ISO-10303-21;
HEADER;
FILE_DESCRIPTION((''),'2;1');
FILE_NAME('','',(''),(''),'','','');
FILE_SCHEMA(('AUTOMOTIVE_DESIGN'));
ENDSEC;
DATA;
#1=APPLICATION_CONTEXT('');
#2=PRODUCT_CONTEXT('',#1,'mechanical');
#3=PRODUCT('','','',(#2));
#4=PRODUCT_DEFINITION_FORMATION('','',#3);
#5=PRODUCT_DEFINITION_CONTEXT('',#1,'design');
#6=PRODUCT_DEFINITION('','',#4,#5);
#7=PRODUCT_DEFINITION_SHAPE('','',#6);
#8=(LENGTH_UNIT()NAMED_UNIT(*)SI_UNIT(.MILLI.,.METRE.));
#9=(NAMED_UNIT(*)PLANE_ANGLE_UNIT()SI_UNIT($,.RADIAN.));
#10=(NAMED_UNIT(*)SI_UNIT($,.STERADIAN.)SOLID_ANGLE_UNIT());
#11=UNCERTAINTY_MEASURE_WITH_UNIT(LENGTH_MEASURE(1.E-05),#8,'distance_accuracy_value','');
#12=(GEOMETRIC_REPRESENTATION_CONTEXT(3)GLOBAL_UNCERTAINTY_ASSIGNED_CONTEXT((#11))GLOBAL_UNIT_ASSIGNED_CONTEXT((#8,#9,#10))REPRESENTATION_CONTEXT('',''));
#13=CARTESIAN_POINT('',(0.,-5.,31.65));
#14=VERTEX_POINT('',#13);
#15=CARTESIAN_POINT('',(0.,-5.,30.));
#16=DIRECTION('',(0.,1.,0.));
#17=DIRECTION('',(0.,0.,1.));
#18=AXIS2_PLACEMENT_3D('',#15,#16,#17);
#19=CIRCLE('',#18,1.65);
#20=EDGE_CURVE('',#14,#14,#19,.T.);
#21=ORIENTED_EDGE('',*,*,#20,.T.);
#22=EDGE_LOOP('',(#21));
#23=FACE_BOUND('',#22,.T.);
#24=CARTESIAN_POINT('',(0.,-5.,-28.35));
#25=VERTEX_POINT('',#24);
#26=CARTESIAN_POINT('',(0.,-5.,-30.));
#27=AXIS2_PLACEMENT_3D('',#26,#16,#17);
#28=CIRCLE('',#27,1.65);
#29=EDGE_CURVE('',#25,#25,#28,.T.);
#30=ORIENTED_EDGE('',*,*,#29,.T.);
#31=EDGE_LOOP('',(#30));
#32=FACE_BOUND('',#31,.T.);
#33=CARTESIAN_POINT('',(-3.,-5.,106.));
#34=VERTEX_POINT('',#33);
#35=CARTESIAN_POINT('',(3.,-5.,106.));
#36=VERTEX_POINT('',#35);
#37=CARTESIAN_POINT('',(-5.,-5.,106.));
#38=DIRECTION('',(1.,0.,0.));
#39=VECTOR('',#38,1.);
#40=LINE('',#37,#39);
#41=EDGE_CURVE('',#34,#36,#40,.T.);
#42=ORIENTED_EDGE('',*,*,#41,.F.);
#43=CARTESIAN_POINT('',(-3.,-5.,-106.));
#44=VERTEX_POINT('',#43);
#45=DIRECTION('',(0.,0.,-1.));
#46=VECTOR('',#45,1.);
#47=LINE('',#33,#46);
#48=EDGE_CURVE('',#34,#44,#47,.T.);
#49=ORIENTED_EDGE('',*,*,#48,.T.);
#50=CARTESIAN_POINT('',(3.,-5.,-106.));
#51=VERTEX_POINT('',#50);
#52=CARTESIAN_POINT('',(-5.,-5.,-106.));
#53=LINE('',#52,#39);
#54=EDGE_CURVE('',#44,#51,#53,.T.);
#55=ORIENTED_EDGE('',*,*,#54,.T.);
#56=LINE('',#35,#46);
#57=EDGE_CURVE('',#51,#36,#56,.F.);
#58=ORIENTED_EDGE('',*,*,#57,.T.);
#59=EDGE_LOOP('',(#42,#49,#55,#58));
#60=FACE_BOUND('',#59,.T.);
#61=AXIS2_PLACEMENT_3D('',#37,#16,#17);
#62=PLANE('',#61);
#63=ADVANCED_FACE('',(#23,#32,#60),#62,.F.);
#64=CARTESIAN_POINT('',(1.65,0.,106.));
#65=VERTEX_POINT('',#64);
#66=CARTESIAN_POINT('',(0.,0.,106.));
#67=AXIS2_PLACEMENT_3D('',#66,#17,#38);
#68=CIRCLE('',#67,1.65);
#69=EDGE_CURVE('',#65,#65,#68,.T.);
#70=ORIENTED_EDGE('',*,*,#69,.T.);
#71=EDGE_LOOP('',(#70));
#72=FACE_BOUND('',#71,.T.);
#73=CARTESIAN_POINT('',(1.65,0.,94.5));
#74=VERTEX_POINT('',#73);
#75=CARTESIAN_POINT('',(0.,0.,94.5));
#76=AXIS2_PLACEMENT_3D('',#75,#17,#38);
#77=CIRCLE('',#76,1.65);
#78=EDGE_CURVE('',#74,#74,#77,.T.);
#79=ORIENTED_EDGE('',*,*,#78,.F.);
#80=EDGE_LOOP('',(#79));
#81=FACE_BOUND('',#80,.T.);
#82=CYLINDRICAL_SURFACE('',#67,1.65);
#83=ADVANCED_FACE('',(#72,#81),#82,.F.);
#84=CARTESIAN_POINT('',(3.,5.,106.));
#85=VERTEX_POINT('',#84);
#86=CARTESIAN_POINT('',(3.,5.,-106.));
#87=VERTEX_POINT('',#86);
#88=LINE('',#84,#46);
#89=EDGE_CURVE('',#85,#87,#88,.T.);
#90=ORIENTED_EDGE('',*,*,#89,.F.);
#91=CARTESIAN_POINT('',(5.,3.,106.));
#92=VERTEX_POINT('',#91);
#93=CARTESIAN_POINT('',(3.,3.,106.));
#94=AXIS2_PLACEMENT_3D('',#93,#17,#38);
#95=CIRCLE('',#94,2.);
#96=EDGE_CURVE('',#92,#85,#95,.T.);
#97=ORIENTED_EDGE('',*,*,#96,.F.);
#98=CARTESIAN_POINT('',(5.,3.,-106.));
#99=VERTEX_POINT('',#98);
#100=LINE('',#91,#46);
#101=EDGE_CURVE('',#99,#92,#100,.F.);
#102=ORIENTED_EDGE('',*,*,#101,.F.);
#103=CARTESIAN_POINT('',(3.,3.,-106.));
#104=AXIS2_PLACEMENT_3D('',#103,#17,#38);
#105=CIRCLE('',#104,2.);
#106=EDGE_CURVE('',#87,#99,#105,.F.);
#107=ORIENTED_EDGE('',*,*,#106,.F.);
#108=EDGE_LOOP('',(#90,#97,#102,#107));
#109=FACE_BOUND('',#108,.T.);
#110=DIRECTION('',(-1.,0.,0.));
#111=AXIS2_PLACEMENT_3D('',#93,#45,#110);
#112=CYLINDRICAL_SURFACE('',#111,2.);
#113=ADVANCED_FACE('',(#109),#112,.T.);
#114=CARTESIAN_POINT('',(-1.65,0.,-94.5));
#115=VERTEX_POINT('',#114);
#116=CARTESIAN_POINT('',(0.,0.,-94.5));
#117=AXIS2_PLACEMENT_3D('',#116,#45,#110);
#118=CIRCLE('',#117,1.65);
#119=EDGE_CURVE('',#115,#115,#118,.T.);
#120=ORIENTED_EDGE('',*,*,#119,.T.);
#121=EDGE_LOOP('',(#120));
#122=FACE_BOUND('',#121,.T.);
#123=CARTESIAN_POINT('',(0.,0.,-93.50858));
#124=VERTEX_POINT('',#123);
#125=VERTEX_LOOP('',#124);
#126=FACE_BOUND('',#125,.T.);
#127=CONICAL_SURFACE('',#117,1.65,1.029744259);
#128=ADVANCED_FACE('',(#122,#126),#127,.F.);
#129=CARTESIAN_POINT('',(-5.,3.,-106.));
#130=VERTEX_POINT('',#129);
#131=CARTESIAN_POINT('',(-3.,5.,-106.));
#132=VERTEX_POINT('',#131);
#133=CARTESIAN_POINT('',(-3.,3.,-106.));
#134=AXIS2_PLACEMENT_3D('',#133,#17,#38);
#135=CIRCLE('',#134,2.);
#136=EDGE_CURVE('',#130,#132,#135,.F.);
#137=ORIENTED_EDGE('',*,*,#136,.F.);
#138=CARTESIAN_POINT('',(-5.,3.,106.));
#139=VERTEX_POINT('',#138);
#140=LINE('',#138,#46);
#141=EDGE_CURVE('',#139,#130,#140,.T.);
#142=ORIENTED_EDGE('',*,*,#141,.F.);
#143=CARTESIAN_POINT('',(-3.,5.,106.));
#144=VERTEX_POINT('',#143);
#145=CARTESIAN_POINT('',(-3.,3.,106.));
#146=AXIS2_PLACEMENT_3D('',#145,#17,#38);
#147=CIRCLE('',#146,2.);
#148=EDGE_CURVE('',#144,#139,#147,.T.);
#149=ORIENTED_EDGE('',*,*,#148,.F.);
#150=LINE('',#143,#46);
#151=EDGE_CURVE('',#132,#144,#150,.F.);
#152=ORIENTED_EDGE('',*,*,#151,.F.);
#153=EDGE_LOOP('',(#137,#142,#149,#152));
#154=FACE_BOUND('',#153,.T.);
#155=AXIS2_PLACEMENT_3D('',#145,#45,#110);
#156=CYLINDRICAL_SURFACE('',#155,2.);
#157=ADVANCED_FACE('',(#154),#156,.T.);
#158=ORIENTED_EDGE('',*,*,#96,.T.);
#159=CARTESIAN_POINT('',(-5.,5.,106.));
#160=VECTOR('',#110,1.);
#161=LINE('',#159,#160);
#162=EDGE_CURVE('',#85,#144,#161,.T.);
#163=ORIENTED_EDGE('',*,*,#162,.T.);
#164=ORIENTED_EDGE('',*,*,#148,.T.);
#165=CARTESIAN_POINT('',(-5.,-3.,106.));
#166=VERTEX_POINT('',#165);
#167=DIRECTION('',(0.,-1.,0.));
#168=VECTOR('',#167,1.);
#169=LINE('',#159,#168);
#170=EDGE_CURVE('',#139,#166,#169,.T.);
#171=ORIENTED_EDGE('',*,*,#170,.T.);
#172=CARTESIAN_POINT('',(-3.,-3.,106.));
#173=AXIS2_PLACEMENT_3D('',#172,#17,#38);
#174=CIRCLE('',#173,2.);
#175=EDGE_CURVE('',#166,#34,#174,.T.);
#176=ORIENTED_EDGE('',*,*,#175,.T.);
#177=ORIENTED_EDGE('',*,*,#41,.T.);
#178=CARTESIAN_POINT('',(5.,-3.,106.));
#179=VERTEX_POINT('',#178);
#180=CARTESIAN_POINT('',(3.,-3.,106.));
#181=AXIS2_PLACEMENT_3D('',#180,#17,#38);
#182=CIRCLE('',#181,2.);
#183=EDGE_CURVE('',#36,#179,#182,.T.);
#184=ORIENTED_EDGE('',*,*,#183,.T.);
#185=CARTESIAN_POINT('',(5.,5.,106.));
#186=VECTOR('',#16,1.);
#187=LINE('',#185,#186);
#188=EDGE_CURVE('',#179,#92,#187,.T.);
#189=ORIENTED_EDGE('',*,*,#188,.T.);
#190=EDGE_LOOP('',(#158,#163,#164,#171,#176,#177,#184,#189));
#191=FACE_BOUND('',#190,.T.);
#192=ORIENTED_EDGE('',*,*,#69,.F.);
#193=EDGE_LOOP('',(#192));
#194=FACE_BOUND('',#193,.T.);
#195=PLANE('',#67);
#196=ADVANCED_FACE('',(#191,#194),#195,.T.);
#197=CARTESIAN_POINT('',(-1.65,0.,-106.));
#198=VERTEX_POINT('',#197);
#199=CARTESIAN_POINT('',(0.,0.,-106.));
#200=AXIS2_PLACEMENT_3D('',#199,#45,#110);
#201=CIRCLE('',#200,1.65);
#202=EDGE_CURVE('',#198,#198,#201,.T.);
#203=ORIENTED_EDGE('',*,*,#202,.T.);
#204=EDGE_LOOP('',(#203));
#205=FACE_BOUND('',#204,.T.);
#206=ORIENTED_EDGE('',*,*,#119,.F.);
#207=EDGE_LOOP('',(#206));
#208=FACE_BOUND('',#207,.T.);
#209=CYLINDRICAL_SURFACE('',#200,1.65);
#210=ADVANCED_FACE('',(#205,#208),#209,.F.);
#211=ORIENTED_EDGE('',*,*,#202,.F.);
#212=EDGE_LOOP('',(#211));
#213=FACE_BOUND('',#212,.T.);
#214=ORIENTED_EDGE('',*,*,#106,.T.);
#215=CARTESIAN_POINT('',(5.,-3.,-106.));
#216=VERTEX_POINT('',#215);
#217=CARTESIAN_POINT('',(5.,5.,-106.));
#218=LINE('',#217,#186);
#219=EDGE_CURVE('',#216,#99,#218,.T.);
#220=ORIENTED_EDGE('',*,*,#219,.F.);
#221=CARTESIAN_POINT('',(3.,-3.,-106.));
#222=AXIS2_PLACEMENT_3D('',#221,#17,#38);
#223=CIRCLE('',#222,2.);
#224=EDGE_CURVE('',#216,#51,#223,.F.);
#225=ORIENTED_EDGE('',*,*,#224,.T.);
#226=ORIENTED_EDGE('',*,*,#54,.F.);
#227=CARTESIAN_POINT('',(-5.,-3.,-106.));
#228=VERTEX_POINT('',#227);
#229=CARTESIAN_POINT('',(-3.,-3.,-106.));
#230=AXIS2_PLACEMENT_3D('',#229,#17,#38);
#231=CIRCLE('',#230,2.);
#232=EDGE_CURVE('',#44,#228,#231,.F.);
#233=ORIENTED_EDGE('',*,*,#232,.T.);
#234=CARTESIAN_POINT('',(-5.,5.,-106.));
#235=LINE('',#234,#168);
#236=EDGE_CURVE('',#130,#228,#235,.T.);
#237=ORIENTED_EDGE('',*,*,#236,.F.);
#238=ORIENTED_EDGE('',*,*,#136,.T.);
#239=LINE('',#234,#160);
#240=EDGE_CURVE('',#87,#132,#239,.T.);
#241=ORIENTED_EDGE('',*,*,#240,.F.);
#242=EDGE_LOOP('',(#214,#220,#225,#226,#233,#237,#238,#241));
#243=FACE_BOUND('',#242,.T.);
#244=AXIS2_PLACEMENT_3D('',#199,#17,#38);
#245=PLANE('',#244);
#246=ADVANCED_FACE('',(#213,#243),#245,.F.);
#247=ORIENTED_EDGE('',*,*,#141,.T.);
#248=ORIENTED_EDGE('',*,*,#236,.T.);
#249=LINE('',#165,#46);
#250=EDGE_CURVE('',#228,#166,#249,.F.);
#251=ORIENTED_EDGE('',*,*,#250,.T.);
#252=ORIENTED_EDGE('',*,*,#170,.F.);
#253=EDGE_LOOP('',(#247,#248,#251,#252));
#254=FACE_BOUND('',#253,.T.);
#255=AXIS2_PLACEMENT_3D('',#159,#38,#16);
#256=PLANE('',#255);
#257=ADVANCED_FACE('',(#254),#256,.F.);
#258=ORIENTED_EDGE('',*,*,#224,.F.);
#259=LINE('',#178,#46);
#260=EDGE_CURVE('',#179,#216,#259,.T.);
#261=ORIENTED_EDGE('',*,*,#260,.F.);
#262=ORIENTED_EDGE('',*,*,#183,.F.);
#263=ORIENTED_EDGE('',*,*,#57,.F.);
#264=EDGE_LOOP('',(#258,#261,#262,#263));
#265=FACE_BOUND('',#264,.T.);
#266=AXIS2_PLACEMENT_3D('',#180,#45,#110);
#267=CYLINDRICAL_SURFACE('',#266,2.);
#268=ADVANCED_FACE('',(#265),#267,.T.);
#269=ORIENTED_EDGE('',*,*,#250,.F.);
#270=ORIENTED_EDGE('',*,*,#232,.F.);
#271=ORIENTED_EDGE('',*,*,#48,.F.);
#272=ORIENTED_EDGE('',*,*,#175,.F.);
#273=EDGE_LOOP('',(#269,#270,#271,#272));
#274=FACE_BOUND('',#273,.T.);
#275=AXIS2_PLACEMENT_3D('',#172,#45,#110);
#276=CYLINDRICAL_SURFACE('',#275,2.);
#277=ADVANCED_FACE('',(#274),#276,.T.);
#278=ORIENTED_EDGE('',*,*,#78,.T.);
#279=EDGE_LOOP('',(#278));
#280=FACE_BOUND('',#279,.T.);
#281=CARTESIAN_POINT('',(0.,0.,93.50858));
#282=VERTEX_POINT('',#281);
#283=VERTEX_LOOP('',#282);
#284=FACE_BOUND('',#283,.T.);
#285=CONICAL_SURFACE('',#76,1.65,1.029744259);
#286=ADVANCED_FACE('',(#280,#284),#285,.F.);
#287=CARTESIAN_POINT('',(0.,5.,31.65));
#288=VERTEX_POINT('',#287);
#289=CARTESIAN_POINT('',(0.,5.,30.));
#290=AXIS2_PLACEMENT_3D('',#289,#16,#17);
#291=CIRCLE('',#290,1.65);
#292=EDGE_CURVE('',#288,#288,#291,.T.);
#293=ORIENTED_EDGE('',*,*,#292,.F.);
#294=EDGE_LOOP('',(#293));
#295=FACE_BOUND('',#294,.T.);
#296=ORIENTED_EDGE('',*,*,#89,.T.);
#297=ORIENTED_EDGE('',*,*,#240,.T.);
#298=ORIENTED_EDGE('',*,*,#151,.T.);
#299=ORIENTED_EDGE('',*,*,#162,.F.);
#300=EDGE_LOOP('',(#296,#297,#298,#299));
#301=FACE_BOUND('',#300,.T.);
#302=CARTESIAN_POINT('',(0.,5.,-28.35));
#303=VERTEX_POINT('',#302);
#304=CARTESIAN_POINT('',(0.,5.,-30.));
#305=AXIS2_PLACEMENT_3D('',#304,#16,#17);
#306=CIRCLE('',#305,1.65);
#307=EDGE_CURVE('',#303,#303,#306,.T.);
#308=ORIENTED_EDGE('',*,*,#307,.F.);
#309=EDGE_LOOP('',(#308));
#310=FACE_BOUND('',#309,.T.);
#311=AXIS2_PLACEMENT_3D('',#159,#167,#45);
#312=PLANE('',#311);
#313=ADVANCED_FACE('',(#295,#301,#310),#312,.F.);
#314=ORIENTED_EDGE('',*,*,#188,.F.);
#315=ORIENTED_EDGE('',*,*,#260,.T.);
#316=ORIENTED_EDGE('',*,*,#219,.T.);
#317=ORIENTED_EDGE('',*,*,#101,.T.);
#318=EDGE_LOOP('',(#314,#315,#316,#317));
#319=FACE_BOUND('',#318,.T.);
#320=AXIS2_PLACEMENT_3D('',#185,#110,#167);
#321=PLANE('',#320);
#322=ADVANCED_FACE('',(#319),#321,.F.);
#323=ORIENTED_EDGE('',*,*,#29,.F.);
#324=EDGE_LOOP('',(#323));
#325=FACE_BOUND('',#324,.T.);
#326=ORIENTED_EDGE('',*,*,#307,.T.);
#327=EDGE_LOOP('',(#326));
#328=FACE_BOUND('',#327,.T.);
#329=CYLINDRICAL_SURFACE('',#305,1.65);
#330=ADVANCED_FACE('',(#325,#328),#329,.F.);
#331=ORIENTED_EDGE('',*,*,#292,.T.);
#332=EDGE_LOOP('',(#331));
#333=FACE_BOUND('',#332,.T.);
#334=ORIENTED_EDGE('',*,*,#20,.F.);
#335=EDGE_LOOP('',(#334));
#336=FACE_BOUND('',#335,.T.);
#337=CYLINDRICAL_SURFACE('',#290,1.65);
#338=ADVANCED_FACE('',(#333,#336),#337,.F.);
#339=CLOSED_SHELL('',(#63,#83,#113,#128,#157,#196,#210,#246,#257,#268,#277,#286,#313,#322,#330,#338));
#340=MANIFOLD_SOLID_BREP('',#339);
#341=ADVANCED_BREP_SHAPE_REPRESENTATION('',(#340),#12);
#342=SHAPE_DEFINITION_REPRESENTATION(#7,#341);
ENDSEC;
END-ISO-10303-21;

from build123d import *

# Parameters (mm, degrees)
ESQUISSE1_W           = 10
ESQUISSE1_H           = 10
BOSS_EXTRU_1_DEPTH    = 106
TROU_TARAUD_M41_D     = 3.3
TROU_TARAUD_M41_DEPTH = 11.5
TROU_TARAUD_M41_TIP   = 0.991420021
TROU_TARAUD_M42_D     = 3.3
TROU_TARAUD_M42_DEPTH = 11.5
TROU_TARAUD_M42_TIP   = 0.991420021
CONG_1_R              = 2
TROU_TARAUD_M44_D     = 3.3


with BuildPart() as part:
    # Esquisse1 → Boss.-Extru.1 (new, symmetric)
    with BuildSketch(Plane.XY):
        Rectangle(ESQUISSE1_W, ESQUISSE1_H)
    extrude(amount=BOSS_EXTRU_1_DEPTH, both=True)

    # Trou taraudé M41
    with Locations(Plane.XY.offset(106)):
        with Locations((0, 0)):
            Hole(TROU_TARAUD_M41_D / 2, depth=TROU_TARAUD_M41_DEPTH)
            with Locations((0, 0, -(TROU_TARAUD_M41_DEPTH + TROU_TARAUD_M41_TIP / 2))):  # 118° drill point
                Cone(0, TROU_TARAUD_M41_D / 2, TROU_TARAUD_M41_TIP, mode=Mode.SUBTRACT)

    # Trou taraudé M42
    with Locations(Plane(origin=(0, 0, -106), x_dir=(-1, 0, 0), z_dir=(0, 0, -1))):
        with Locations((0, 0)):
            Hole(TROU_TARAUD_M42_D / 2, depth=TROU_TARAUD_M42_DEPTH)
            with Locations((0, 0, -(TROU_TARAUD_M42_DEPTH + TROU_TARAUD_M42_TIP / 2))):  # 118° drill point
                Cone(0, TROU_TARAUD_M42_D / 2, TROU_TARAUD_M42_TIP, mode=Mode.SUBTRACT)

    # Congé1
    cong_1_edges = [part.edges().sort_by_distance(p)[0] for p in [
        (-5, 5, 0),
        (5, 5, 0),
        (5, -5, 0),
        (-5, -5, 0),
    ]]
    fillet(cong_1_edges, radius=CONG_1_R)

    # Trou taraudé M44 (through all)
    with Locations(Plane(origin=(0, 5, 0), x_dir=(1, 0, 0), z_dir=(0, 1, 0))):
        with Locations((0, -30), (0, 30)):
            Hole(TROU_TARAUD_M44_D / 2)


solid = part.part
